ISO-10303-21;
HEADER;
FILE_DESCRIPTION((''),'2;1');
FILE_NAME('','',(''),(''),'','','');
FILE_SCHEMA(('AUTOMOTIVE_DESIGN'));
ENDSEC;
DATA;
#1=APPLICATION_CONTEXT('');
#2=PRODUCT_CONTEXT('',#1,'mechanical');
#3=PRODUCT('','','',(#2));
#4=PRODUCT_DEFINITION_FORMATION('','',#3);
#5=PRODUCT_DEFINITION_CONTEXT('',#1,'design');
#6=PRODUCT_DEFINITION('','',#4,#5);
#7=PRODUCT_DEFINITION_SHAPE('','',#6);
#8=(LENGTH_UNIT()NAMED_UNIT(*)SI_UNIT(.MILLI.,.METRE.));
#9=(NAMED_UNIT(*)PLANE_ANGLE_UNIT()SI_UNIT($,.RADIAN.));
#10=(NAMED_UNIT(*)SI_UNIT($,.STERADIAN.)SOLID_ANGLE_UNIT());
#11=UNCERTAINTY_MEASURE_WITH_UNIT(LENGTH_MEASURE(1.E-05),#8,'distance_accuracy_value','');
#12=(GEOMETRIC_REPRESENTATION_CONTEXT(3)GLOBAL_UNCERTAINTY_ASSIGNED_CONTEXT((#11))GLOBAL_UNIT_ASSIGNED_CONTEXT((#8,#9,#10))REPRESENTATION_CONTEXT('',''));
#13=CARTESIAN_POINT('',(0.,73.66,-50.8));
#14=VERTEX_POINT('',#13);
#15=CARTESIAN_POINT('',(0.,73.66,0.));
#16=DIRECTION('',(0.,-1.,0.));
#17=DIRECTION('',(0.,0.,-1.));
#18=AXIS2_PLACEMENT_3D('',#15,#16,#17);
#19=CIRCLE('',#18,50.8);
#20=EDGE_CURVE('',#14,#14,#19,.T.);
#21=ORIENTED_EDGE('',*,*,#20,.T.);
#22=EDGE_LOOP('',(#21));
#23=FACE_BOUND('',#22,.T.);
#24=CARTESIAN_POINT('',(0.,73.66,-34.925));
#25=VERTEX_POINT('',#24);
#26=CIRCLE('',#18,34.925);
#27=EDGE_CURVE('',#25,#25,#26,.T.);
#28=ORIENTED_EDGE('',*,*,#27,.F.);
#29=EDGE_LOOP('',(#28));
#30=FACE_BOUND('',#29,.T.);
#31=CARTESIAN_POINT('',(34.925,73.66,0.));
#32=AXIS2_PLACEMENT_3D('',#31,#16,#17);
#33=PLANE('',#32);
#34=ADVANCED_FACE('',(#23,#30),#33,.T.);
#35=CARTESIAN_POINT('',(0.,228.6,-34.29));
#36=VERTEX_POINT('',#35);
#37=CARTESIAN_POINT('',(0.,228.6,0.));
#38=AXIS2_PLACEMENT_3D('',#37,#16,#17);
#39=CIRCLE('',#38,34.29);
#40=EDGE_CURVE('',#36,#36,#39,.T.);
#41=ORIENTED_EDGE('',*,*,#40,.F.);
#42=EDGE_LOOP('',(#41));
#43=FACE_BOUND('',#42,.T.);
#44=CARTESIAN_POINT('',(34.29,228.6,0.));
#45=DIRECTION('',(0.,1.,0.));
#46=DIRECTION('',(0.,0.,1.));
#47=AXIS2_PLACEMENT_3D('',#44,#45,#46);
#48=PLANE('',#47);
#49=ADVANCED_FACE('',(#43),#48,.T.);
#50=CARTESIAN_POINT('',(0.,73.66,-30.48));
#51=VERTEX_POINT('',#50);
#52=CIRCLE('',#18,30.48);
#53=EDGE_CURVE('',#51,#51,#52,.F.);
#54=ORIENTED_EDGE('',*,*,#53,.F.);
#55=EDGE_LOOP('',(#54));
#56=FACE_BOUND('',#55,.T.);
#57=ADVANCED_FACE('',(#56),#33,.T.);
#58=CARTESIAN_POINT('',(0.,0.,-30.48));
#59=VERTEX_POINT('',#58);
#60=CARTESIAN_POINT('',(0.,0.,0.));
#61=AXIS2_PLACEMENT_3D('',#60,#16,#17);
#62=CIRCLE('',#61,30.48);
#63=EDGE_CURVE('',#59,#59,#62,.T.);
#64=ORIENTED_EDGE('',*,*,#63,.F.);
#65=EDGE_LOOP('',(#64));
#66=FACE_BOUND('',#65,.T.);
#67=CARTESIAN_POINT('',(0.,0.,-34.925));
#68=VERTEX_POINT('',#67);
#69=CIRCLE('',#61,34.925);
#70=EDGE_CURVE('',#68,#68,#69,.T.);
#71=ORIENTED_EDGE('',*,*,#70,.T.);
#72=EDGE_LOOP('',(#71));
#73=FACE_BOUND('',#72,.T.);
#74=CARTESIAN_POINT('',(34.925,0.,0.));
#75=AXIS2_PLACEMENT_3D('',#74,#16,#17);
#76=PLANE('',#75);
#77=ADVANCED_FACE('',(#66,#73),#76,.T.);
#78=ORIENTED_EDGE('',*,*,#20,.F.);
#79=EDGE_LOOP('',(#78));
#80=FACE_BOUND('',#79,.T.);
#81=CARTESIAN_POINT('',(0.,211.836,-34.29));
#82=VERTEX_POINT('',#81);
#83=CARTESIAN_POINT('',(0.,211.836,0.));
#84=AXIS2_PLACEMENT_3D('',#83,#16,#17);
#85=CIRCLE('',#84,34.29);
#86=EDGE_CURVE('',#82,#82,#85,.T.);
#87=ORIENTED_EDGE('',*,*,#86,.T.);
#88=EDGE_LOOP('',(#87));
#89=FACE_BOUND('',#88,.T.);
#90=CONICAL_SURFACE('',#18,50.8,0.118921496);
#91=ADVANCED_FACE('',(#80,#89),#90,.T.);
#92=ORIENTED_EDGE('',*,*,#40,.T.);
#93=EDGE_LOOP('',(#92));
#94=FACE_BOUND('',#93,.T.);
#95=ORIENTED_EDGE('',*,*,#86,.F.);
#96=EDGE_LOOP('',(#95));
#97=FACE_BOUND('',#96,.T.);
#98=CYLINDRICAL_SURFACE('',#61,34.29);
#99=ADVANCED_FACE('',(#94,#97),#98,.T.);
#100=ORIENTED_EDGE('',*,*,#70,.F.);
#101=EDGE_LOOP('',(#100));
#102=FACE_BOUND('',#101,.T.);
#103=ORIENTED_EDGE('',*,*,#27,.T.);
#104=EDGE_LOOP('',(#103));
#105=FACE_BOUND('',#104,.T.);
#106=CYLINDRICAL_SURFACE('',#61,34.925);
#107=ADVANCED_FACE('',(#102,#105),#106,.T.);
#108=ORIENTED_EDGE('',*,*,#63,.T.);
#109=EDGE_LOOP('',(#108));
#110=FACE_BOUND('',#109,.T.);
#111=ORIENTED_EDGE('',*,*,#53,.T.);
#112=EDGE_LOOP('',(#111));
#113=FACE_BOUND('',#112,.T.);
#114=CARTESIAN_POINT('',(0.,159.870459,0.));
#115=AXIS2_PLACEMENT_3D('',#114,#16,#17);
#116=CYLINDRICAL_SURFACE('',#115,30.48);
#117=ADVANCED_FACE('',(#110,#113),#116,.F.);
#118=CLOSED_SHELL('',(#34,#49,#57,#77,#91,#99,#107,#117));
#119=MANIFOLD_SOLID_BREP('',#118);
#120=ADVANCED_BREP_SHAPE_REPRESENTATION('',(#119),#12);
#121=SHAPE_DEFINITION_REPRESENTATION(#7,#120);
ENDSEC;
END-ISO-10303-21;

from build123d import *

# Parameters (mm, degrees)
SKETCH3_R          = 30.48
CUT_EXTRUDE1_DEPTH = 73.66


with BuildPart() as part:
    # Sketch1 → Revolve1 (revolve)
    with BuildSketch(Plane.XY, mode=Mode.PRIVATE) as revolve1_sk:
        Polygon((34.925, 0), (34.925, 73.66), (50.8, 73.66), (34.29, 211.836), (34.29, 228.6), (0, 228.6), (0, 0), align=None)
    revolve(revolve1_sk.sketch.rotate(Axis((0, 0, 0), (0, 1, 0)), 90), axis=Axis((0, 0, 0), (0, 1, 0)))

    # Sketch3 → Cut-Extrude1 (cut)
    with BuildSketch(Plane.XZ):
        with Locations(Location((0, 0, 0), (0, 0, 270))):
            Circle(SKETCH3_R)
    extrude(amount=-CUT_EXTRUDE1_DEPTH, mode=Mode.SUBTRACT)


solid = part.part
